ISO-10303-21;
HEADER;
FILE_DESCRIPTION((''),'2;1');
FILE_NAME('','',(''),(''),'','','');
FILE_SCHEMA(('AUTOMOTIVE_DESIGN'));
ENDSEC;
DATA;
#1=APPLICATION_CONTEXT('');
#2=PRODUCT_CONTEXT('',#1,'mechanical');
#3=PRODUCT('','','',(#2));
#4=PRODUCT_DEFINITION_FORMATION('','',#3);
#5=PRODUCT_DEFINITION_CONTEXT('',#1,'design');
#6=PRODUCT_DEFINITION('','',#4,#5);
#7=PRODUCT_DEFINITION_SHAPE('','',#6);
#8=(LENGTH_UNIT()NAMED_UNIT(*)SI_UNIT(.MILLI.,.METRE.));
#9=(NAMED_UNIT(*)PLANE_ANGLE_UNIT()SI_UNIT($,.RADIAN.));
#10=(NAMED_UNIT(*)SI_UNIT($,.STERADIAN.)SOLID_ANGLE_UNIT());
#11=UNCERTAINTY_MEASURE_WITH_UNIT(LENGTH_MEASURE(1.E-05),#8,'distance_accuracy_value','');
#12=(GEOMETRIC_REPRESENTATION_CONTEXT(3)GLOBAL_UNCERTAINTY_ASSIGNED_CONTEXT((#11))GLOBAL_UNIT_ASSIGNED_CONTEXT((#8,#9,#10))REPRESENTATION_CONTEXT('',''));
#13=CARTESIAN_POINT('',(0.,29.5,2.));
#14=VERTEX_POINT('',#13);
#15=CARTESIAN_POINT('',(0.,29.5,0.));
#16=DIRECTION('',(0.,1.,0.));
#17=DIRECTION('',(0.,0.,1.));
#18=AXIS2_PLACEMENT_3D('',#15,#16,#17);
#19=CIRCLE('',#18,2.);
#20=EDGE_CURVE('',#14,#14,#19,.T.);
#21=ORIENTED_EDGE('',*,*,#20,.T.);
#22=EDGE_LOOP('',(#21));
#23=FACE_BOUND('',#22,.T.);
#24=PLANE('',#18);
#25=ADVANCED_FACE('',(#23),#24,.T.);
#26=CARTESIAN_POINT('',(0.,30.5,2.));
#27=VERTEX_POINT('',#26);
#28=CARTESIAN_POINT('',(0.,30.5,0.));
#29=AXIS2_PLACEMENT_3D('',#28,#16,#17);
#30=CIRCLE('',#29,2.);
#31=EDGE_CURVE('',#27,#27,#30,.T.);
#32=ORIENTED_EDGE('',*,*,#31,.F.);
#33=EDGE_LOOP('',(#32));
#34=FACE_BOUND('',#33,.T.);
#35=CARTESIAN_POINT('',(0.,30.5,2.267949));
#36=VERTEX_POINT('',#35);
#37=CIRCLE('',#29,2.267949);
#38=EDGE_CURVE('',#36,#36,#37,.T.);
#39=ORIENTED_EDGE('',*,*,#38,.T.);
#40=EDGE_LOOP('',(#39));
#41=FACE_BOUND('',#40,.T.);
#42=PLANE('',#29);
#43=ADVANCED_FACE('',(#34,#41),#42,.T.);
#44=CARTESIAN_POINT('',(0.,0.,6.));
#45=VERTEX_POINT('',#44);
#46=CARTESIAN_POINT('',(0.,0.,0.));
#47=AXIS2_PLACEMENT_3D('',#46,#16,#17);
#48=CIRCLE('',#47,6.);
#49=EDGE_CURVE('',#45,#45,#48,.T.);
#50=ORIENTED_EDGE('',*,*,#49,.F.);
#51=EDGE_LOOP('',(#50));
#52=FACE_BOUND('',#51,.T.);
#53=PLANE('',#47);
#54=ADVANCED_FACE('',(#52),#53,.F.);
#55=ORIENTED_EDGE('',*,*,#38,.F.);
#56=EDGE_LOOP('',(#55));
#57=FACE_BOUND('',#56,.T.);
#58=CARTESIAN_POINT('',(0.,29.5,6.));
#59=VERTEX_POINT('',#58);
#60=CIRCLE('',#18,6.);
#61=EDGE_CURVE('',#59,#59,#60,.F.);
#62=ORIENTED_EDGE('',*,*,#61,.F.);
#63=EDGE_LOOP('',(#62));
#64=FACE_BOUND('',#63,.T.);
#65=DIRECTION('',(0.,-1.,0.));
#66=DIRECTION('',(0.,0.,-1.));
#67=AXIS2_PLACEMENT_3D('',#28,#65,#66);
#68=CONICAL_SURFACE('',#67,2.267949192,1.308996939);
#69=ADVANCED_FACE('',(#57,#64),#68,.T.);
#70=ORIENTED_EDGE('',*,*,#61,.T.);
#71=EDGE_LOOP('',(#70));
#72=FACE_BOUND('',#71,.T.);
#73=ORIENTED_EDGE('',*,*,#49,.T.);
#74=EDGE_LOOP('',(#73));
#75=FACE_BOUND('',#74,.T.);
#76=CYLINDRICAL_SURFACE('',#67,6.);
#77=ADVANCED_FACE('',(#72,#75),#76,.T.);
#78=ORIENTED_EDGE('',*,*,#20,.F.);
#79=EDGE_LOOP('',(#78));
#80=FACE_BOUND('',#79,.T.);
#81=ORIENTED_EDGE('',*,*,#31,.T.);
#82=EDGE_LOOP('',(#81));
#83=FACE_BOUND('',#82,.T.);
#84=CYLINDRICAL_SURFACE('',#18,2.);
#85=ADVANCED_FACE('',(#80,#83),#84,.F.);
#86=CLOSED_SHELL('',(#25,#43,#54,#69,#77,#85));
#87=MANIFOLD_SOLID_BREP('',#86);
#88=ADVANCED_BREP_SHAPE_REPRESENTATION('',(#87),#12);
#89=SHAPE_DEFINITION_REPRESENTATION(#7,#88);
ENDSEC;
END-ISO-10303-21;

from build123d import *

# Parameters (mm, degrees)
ESQUISSE1_R             = 6
EXTRUSION1_DEPTH        = 30.5
CHANFREIN1_SIZE         = 1
CHANFREIN1_SIZE2        = 3.732050808
ESQUISSE2_R             = 2
ENL_V_MAT_EXTRU_1_DEPTH = 1


with BuildPart() as part:
    # Esquisse1 → Extrusion1 (new body)
    with BuildSketch(Plane(origin=(0, 0, 0), x_dir=(1, 0, 0), z_dir=(0, 1, 0))):
        Circle(ESQUISSE1_R)
    extrude(amount=EXTRUSION1_DEPTH)

    # Chanfrein1
    chanfrein1_edges = [part.edges().sort_by_distance(p)[0] for p in [
        (-6, 30.5, 0),
    ]]
    chanfrein1_side = [part.faces().sort_by_distance(p)[0] for p in [
        (-6, 15.25, 0),
    ]]
    chamfer(chanfrein1_edges, length=CHANFREIN1_SIZE, length2=CHANFREIN1_SIZE2, reference=chanfrein1_side[0])

    # Esquisse2 → Enlèv. mat.-Extru.1 (cut)
    with BuildSketch(Plane(origin=(0, 30.5, 0), x_dir=(1, 0, 0), z_dir=(0, 1, 0))):
        Circle(ESQUISSE2_R)
    extrude(amount=-ENL_V_MAT_EXTRU_1_DEPTH, mode=Mode.SUBTRACT)


solid = part.part
